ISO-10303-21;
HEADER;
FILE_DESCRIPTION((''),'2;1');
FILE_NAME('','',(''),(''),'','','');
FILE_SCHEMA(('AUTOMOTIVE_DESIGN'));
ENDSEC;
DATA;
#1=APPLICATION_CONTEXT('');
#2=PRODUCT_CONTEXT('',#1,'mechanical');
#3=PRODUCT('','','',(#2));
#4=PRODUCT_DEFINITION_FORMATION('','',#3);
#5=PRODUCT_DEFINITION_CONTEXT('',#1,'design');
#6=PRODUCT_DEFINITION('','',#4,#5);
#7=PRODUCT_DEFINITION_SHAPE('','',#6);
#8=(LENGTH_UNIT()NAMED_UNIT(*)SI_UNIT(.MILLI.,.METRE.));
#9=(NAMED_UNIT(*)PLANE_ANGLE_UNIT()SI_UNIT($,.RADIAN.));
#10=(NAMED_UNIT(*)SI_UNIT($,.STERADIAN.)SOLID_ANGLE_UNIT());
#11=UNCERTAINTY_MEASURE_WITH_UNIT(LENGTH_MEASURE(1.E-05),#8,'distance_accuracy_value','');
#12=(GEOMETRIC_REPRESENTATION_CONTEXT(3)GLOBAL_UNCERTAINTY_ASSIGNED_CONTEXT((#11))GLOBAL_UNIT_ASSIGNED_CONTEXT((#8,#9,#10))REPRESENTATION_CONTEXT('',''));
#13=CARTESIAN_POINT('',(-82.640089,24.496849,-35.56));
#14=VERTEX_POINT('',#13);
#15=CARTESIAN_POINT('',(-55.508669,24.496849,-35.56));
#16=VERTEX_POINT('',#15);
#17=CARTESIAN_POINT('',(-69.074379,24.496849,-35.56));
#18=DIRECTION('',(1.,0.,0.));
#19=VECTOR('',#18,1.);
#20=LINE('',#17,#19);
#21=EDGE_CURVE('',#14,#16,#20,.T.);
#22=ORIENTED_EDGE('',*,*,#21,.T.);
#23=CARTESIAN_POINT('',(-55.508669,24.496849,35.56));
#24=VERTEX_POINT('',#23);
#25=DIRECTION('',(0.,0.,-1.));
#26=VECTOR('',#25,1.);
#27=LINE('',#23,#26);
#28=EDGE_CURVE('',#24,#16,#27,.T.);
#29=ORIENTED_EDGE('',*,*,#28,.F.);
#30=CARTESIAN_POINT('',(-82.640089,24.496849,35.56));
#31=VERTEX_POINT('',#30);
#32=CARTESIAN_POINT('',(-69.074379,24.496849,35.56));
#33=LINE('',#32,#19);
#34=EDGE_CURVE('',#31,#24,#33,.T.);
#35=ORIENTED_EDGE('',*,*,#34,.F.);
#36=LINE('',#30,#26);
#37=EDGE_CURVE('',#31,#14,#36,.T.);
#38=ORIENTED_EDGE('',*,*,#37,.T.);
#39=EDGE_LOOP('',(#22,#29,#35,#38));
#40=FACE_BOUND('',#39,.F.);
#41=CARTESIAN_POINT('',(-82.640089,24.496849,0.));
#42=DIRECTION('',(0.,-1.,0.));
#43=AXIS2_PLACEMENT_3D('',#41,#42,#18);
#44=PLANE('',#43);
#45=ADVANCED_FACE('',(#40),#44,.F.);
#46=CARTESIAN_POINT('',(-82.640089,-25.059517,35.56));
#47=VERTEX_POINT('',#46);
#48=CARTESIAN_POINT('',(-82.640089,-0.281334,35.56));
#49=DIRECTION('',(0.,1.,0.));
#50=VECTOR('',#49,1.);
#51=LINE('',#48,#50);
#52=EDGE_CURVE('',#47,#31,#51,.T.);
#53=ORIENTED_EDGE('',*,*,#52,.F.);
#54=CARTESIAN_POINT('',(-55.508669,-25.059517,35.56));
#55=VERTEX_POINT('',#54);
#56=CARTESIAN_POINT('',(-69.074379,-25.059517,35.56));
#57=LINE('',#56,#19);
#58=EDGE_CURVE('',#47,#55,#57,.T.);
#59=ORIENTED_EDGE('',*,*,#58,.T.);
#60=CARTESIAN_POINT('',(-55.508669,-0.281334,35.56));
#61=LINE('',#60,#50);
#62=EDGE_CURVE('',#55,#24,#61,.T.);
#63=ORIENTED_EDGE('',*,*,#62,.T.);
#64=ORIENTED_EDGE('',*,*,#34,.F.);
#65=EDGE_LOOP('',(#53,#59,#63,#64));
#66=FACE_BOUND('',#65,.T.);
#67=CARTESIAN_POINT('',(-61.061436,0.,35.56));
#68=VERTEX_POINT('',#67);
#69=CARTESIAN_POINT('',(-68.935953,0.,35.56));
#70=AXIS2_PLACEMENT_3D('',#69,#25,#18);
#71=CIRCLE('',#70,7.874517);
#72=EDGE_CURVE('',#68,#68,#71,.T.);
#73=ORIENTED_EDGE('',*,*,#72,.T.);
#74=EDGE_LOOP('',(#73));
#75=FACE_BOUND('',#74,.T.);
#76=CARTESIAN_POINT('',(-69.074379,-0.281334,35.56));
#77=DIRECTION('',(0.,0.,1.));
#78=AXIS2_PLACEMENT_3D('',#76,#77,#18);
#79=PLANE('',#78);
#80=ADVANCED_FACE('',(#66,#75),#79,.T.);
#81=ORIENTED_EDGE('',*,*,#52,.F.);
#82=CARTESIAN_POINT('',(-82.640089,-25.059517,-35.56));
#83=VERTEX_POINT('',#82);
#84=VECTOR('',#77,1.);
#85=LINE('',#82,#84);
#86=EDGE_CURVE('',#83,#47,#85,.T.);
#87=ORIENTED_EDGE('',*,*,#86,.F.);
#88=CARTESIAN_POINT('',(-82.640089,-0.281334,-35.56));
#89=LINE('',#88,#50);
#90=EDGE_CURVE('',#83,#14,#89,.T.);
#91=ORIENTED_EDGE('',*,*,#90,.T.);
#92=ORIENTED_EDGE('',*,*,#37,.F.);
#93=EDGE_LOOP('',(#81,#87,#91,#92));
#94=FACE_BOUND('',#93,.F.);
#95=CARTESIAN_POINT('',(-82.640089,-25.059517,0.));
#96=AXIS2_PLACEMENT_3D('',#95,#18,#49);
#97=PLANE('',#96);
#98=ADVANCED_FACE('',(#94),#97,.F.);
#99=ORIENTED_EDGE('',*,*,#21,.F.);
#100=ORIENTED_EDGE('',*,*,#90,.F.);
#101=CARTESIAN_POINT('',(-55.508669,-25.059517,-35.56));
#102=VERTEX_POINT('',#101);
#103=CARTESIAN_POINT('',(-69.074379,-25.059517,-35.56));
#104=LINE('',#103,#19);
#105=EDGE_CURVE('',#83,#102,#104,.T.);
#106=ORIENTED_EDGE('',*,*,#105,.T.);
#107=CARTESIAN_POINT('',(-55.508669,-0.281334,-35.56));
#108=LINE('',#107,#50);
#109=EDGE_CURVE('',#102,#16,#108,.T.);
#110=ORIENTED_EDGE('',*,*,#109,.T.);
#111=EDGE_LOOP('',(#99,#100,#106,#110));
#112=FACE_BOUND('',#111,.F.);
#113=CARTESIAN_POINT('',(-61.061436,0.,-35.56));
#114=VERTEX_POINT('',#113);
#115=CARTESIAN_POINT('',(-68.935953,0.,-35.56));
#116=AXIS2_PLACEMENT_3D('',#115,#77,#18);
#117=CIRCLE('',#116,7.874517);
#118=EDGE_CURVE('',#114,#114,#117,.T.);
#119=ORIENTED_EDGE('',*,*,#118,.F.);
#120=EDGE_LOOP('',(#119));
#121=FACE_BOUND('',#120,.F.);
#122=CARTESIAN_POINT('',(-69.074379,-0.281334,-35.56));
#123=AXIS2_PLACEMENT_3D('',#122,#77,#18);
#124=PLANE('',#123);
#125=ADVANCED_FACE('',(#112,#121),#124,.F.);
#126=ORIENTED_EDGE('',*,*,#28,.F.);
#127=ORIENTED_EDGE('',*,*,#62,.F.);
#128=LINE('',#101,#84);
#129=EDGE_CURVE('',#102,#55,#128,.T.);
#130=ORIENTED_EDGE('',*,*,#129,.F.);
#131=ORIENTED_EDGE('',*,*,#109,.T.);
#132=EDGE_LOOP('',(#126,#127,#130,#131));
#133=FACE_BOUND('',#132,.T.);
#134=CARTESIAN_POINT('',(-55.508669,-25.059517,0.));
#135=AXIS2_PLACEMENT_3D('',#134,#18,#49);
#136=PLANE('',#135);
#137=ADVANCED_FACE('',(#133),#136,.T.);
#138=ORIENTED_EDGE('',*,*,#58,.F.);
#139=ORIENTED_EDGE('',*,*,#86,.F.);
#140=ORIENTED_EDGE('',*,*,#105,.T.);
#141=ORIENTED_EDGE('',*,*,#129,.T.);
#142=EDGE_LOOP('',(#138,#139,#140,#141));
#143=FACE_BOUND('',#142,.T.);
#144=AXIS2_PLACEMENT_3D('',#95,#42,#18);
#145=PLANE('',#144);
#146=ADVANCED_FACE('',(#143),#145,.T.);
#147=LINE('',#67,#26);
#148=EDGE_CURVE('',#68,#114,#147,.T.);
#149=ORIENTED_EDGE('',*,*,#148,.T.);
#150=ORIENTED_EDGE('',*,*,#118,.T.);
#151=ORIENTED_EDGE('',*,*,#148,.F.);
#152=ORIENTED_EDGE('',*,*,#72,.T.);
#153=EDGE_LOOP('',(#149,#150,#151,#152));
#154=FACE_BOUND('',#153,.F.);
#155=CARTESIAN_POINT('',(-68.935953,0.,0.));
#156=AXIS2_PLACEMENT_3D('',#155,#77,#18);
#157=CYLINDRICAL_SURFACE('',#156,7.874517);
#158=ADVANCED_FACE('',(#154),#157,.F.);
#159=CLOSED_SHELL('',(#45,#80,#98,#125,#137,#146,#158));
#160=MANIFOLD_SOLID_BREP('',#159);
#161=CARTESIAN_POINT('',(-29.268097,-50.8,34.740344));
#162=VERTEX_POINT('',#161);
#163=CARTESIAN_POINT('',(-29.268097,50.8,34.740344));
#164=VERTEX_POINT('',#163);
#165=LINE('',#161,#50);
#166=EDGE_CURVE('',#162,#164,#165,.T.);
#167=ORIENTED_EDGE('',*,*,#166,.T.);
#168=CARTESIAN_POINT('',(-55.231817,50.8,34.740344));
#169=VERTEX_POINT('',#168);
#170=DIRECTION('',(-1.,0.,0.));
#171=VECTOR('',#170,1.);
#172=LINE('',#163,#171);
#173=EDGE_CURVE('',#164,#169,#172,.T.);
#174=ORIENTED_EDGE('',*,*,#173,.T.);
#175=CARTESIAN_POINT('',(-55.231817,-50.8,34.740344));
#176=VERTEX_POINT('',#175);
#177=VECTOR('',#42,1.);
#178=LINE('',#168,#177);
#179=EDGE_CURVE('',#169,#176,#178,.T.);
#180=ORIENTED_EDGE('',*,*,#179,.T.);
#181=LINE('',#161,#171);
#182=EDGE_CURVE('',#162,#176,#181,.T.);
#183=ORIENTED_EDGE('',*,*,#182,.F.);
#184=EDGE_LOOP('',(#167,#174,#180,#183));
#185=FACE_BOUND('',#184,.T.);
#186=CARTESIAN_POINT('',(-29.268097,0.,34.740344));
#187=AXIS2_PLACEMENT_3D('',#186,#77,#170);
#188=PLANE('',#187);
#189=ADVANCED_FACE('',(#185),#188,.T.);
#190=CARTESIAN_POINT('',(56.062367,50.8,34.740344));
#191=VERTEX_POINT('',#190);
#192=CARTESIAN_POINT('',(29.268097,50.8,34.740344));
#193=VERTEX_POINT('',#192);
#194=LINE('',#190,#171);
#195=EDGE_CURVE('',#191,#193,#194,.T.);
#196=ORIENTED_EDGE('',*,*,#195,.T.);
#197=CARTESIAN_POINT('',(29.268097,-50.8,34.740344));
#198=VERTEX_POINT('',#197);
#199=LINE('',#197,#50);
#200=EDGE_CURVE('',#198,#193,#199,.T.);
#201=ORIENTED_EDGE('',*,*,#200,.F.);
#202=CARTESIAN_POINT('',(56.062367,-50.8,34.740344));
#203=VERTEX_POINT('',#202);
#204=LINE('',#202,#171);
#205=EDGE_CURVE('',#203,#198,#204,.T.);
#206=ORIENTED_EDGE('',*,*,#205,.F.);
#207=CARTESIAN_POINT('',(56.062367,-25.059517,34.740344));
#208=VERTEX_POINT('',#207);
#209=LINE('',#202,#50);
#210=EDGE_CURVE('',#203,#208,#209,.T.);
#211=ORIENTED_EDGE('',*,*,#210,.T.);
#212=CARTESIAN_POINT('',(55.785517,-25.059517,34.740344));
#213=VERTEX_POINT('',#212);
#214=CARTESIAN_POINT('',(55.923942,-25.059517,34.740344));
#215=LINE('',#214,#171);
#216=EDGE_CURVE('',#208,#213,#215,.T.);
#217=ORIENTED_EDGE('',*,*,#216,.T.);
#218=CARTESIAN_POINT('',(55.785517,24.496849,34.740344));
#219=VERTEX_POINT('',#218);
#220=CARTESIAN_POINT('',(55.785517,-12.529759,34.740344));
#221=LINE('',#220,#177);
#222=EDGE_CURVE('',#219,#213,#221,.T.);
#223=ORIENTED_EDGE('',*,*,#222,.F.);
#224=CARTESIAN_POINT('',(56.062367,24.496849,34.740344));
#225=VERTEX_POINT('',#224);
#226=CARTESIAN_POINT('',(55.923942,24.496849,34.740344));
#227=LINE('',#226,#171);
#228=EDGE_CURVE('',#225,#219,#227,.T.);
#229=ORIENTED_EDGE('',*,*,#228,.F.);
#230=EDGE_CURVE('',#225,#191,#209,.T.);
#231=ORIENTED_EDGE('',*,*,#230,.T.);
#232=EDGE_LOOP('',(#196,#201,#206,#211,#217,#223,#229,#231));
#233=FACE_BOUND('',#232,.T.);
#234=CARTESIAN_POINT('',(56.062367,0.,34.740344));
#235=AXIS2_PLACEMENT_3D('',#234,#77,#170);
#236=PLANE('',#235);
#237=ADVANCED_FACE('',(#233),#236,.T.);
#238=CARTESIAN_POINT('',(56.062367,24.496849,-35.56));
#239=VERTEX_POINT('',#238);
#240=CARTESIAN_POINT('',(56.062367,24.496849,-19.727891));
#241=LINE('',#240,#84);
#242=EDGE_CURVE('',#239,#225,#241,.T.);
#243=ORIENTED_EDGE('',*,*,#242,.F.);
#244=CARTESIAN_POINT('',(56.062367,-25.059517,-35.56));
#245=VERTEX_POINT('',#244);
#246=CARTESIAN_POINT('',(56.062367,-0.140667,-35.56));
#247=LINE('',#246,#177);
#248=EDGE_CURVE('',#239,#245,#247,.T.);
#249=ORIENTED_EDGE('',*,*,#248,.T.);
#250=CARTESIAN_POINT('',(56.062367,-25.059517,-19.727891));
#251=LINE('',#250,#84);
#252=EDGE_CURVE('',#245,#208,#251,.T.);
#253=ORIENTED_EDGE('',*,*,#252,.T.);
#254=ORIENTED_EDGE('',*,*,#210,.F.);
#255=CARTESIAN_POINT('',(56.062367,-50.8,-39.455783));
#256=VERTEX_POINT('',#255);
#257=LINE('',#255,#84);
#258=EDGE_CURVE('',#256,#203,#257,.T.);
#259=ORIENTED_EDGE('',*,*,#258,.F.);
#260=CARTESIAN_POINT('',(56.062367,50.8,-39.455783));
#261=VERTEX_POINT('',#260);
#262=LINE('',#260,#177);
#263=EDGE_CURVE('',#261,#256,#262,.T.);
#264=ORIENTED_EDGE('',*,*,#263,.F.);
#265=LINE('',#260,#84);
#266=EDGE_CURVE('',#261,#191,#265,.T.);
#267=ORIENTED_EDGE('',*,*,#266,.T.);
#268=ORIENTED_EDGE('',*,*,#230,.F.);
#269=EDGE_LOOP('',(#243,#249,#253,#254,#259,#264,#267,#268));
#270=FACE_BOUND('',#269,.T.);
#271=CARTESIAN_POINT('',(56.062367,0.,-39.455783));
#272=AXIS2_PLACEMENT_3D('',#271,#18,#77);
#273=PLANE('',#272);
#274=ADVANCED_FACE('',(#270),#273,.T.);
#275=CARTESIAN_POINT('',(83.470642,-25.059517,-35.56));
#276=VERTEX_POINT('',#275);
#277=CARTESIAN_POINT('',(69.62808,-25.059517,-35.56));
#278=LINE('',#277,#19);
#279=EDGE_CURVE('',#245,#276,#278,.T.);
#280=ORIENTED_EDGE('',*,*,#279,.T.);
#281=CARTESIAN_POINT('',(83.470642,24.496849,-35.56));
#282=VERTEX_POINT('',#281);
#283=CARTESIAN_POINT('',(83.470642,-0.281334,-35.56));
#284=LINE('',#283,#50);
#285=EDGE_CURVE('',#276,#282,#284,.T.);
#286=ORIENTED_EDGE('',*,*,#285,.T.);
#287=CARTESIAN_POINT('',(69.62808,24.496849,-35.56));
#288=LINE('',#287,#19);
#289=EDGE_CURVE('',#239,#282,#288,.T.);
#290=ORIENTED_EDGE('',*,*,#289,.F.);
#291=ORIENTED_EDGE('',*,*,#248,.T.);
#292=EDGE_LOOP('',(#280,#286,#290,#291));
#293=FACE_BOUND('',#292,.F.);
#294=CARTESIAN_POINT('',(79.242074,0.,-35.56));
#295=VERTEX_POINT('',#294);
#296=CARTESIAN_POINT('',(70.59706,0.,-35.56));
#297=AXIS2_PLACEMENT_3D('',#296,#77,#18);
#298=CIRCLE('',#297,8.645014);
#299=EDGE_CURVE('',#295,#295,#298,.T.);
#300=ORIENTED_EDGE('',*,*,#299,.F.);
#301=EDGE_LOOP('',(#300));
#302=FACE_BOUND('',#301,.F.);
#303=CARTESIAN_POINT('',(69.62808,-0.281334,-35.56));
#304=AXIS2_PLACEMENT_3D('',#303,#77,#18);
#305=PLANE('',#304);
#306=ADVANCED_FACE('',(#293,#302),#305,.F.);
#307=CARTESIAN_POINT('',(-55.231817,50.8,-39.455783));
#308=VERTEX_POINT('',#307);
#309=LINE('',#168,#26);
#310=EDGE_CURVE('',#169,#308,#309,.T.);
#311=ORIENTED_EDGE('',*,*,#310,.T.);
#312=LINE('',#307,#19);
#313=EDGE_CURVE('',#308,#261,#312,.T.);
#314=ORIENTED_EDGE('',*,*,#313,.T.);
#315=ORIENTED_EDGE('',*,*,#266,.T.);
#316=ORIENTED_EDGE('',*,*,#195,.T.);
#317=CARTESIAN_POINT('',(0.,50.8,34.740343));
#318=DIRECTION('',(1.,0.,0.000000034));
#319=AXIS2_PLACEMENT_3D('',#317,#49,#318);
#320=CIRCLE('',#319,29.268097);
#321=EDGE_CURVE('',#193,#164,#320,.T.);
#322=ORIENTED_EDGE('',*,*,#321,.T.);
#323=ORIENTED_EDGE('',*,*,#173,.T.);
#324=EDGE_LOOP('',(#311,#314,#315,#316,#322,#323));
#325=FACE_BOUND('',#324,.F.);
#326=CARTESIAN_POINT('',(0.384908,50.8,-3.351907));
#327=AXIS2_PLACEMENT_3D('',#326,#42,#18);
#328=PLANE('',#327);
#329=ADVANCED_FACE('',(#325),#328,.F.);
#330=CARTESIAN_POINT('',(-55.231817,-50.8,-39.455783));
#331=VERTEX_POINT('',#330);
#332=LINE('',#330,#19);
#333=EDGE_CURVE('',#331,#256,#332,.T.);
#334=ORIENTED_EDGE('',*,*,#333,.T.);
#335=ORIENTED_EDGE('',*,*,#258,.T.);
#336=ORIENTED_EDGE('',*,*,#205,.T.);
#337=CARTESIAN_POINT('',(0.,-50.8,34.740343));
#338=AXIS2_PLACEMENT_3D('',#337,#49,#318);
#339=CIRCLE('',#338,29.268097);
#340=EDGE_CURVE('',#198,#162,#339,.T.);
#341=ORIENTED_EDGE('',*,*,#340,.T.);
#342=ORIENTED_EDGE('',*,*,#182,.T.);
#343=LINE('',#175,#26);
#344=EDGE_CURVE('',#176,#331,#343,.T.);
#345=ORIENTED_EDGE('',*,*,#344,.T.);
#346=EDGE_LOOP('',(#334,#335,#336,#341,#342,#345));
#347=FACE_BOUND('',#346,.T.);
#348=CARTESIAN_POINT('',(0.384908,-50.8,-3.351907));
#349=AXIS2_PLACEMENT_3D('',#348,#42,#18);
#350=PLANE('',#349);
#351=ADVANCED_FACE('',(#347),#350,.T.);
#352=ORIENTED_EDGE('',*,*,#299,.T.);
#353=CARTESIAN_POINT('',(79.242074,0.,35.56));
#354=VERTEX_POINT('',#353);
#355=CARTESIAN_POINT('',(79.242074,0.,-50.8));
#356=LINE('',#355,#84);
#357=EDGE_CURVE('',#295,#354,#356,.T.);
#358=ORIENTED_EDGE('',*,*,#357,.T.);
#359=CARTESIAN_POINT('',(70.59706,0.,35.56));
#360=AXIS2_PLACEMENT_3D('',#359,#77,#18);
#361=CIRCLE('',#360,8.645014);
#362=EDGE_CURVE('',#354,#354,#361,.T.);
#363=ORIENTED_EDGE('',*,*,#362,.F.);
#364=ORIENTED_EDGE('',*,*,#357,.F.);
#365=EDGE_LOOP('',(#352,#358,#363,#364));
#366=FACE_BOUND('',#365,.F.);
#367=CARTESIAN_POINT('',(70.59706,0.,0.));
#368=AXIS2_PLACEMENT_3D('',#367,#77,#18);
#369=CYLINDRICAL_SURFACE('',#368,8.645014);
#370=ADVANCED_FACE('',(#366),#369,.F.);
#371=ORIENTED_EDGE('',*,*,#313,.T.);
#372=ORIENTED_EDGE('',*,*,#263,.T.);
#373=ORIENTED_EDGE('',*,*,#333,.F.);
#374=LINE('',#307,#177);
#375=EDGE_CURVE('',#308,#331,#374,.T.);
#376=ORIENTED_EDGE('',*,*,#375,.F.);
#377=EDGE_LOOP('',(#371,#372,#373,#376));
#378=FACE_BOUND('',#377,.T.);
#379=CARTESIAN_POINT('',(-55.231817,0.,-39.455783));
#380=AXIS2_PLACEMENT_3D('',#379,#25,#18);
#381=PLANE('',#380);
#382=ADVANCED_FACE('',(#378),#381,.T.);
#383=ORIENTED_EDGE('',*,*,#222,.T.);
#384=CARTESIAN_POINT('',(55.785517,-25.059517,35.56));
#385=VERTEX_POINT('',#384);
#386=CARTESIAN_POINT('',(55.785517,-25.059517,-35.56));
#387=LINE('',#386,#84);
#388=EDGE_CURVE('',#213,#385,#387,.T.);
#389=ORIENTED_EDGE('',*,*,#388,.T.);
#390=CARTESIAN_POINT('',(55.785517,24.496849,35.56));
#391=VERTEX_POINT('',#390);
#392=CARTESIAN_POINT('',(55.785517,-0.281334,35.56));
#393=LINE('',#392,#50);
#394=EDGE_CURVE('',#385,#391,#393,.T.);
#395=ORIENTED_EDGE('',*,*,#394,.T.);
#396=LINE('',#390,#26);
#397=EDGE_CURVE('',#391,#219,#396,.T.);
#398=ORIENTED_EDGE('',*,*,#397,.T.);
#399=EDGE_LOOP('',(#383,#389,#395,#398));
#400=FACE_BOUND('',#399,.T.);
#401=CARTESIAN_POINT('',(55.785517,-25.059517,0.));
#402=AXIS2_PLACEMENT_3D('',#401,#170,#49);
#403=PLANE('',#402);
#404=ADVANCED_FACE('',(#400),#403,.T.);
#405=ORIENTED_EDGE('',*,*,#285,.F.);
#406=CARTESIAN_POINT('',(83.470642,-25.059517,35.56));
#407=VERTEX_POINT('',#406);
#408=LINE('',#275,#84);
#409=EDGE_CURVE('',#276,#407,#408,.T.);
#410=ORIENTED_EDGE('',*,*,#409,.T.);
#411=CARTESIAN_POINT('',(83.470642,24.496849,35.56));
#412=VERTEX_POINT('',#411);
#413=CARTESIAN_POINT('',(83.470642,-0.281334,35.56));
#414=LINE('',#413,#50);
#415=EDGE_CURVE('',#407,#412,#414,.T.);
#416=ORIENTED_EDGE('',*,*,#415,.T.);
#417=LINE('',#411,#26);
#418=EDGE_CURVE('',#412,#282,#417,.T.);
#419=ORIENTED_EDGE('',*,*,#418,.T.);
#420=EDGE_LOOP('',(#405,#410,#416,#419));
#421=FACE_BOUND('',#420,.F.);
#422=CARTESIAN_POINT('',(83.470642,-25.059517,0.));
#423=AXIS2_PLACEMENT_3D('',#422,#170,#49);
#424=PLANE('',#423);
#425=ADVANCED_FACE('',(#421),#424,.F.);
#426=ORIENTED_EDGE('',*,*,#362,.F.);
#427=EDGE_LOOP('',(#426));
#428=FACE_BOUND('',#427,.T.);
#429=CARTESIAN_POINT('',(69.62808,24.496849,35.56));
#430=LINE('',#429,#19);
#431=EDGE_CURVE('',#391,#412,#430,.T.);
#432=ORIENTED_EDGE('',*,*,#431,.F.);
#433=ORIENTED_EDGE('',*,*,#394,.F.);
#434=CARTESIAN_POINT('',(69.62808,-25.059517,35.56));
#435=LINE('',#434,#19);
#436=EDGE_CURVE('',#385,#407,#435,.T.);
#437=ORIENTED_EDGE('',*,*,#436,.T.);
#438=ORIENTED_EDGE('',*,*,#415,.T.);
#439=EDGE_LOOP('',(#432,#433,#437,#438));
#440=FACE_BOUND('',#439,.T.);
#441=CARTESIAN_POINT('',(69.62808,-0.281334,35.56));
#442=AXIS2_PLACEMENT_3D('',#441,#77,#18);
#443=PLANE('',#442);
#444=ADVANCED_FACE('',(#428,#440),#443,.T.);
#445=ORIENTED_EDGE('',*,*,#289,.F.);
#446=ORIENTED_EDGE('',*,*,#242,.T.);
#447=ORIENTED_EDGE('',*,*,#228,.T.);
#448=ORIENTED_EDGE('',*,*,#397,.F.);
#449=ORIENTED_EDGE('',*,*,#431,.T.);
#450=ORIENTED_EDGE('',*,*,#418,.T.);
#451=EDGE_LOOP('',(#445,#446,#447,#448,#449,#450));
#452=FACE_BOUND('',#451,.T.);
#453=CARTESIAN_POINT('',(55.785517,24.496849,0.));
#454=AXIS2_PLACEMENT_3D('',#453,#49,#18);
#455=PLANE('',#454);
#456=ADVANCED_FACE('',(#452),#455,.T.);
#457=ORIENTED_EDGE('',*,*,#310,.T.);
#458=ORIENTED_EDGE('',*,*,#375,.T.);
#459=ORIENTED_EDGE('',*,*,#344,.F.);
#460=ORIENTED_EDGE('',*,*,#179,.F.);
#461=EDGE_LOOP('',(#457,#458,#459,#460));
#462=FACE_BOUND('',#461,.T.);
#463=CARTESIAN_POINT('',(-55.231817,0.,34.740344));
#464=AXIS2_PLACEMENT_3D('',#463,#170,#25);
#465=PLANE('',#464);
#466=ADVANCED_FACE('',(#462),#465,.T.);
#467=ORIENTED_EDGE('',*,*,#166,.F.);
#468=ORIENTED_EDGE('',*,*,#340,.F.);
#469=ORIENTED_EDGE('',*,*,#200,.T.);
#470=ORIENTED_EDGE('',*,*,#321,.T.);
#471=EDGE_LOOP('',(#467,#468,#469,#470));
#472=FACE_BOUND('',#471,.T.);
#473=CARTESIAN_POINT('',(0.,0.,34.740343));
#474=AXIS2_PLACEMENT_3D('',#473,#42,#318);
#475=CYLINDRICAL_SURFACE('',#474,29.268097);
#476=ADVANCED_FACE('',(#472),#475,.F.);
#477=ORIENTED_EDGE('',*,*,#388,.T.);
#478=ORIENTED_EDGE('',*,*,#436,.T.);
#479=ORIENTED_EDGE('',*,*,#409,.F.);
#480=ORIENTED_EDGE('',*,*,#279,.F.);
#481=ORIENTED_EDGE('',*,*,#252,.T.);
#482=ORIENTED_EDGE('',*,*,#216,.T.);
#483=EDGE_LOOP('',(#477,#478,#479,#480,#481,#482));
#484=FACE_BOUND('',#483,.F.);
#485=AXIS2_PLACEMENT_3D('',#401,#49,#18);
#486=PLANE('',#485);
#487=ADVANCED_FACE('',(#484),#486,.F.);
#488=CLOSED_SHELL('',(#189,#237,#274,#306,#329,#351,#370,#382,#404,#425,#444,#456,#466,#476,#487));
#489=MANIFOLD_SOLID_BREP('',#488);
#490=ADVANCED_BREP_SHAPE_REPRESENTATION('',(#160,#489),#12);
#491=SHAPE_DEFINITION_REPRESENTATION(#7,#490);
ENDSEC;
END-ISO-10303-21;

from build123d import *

# Parameters (mm, degrees)
F1_DEPTH = 50.8
F2_W     = 27.685125
F2_H     = 49.556367
F2_W_2   = 27.13142
F3_DEPTH = 35.56
F4_R     = 7.874517
F4_R_2   = 8.645014
F5_DEPTH = 50.8


with BuildPart() as f1:
    # F0 (on Front) → F1 (new body, symmetric)
    with BuildSketch(Plane.XZ):
        with BuildLine():
            Line((-29.268097, 34.740344), (-55.231817, 34.740344))
            Line((-55.231817, 34.740344), (-55.231817, -39.455783))
            Line((-55.231817, -39.455783), (56.062367, -39.455783))
            Line((56.062367, -39.455783), (56.062367, 34.740344))
            Line((56.062367, 34.740344), (29.268097, 34.740344))
            ThreePointArc((29.268097, 34.740344), (0, 5.472246), (-29.268097, 34.740344))
        make_face()
    extrude(amount=F1_DEPTH, both=True)

    # F2 (on Top) → F3 (join, symmetric)
    with BuildSketch(Plane.XY):
        with Locations((69.62808, -0.281334)):
            Rectangle(F2_W, F2_H)
        with Locations((-69.074379, -0.281334)):
            Rectangle(F2_W_2, F2_H)
    extrude(amount=F3_DEPTH, both=True)

    # F4 (on Top) → F5 (cut, symmetric)
    with BuildSketch(Plane.XY):
        with Locations((-68.935953, 0)):
            Circle(F4_R)
        with Locations((70.59706, 0)):
            Circle(F4_R_2)
    extrude(amount=F5_DEPTH, both=True, mode=Mode.SUBTRACT)


solid = f1.part
